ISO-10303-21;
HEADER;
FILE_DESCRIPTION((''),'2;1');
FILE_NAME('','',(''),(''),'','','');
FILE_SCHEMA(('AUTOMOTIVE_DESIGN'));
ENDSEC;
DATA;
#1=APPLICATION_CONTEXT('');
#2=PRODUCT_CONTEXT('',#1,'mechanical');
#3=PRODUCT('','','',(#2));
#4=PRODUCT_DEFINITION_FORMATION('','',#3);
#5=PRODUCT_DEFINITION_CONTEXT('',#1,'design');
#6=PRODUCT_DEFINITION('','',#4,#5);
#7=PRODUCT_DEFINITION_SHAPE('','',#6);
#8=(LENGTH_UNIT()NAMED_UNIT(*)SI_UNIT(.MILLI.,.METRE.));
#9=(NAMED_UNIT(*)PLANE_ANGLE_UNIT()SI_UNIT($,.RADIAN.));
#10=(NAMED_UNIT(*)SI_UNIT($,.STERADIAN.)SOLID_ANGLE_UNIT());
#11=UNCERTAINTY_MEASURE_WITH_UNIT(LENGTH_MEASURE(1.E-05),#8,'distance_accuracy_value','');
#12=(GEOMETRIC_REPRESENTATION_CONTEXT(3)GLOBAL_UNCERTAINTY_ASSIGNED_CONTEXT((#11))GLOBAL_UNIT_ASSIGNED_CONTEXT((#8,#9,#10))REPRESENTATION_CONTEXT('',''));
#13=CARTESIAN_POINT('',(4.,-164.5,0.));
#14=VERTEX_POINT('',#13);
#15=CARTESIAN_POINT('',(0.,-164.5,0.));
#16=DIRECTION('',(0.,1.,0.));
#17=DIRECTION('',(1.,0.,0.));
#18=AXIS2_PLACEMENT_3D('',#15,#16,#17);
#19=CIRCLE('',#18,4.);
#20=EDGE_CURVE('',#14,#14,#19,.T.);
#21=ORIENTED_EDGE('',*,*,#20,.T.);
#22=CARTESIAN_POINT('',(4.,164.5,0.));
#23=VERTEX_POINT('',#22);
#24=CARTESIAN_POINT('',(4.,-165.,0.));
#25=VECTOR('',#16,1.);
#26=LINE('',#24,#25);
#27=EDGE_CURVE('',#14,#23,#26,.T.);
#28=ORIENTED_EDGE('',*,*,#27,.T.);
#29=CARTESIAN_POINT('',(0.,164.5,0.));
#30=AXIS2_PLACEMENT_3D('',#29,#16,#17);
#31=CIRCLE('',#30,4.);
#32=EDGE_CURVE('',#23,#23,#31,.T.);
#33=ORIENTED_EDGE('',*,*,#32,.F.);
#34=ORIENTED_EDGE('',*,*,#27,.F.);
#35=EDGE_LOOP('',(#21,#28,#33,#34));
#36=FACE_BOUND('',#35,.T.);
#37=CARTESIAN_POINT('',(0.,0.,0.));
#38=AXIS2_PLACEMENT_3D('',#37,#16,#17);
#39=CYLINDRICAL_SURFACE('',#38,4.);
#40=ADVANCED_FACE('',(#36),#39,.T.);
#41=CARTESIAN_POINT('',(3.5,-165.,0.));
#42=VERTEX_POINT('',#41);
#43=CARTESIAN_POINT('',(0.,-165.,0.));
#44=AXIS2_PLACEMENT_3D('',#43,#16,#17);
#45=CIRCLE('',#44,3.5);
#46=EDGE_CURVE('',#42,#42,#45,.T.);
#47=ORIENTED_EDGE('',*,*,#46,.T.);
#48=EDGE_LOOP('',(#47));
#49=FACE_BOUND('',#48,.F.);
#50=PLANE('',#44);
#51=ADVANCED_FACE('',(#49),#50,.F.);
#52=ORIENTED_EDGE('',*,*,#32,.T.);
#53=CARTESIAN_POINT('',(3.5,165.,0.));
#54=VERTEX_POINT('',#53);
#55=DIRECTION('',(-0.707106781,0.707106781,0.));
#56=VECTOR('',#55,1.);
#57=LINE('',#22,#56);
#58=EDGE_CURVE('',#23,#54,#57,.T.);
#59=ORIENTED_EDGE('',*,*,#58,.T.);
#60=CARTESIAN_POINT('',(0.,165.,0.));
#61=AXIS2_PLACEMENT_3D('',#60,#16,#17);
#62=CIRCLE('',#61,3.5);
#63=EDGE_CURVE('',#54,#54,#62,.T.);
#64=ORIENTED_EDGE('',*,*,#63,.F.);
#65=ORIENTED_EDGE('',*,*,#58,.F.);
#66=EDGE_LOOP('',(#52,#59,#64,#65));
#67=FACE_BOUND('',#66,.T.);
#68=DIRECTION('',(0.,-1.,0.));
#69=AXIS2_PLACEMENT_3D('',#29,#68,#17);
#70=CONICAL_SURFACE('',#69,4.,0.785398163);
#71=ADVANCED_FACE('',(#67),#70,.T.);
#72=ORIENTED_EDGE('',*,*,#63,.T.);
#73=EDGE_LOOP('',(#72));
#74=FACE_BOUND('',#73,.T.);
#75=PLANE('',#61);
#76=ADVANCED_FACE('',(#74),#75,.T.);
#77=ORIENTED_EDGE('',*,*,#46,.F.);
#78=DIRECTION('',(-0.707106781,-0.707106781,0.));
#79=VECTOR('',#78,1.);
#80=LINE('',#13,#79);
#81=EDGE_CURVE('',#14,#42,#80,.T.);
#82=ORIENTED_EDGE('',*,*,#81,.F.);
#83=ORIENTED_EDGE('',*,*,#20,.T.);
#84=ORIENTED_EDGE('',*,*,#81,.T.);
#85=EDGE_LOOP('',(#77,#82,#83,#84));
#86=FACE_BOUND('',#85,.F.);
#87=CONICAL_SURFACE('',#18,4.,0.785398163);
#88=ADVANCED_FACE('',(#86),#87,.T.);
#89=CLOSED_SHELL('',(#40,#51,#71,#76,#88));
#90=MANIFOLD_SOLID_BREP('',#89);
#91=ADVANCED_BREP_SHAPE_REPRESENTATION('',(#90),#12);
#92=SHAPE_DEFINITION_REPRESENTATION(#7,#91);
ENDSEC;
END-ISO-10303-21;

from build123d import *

# Parameters (mm, degrees)
SKETCH1_R           = 4
BOSS_EXTRUDE1_DEPTH = 165
CHAMFER1_SIZE       = 0.5


with BuildPart() as part:
    # Sketch1 → Boss-Extrude1 (new body, symmetric)
    with BuildSketch(Plane(origin=(0, 0, 0), x_dir=(1, 0, 0), z_dir=(0, 1, 0))):
        Circle(SKETCH1_R)
    extrude(amount=BOSS_EXTRUDE1_DEPTH, both=True)

    # Chamfer1
    chamfer1_edges = [part.edges().sort_by_distance(p)[0] for p in [
        (-4, -165, 0),
        (-4, 165, 0),
    ]]
    chamfer(chamfer1_edges, length=CHAMFER1_SIZE)


solid = part.part
